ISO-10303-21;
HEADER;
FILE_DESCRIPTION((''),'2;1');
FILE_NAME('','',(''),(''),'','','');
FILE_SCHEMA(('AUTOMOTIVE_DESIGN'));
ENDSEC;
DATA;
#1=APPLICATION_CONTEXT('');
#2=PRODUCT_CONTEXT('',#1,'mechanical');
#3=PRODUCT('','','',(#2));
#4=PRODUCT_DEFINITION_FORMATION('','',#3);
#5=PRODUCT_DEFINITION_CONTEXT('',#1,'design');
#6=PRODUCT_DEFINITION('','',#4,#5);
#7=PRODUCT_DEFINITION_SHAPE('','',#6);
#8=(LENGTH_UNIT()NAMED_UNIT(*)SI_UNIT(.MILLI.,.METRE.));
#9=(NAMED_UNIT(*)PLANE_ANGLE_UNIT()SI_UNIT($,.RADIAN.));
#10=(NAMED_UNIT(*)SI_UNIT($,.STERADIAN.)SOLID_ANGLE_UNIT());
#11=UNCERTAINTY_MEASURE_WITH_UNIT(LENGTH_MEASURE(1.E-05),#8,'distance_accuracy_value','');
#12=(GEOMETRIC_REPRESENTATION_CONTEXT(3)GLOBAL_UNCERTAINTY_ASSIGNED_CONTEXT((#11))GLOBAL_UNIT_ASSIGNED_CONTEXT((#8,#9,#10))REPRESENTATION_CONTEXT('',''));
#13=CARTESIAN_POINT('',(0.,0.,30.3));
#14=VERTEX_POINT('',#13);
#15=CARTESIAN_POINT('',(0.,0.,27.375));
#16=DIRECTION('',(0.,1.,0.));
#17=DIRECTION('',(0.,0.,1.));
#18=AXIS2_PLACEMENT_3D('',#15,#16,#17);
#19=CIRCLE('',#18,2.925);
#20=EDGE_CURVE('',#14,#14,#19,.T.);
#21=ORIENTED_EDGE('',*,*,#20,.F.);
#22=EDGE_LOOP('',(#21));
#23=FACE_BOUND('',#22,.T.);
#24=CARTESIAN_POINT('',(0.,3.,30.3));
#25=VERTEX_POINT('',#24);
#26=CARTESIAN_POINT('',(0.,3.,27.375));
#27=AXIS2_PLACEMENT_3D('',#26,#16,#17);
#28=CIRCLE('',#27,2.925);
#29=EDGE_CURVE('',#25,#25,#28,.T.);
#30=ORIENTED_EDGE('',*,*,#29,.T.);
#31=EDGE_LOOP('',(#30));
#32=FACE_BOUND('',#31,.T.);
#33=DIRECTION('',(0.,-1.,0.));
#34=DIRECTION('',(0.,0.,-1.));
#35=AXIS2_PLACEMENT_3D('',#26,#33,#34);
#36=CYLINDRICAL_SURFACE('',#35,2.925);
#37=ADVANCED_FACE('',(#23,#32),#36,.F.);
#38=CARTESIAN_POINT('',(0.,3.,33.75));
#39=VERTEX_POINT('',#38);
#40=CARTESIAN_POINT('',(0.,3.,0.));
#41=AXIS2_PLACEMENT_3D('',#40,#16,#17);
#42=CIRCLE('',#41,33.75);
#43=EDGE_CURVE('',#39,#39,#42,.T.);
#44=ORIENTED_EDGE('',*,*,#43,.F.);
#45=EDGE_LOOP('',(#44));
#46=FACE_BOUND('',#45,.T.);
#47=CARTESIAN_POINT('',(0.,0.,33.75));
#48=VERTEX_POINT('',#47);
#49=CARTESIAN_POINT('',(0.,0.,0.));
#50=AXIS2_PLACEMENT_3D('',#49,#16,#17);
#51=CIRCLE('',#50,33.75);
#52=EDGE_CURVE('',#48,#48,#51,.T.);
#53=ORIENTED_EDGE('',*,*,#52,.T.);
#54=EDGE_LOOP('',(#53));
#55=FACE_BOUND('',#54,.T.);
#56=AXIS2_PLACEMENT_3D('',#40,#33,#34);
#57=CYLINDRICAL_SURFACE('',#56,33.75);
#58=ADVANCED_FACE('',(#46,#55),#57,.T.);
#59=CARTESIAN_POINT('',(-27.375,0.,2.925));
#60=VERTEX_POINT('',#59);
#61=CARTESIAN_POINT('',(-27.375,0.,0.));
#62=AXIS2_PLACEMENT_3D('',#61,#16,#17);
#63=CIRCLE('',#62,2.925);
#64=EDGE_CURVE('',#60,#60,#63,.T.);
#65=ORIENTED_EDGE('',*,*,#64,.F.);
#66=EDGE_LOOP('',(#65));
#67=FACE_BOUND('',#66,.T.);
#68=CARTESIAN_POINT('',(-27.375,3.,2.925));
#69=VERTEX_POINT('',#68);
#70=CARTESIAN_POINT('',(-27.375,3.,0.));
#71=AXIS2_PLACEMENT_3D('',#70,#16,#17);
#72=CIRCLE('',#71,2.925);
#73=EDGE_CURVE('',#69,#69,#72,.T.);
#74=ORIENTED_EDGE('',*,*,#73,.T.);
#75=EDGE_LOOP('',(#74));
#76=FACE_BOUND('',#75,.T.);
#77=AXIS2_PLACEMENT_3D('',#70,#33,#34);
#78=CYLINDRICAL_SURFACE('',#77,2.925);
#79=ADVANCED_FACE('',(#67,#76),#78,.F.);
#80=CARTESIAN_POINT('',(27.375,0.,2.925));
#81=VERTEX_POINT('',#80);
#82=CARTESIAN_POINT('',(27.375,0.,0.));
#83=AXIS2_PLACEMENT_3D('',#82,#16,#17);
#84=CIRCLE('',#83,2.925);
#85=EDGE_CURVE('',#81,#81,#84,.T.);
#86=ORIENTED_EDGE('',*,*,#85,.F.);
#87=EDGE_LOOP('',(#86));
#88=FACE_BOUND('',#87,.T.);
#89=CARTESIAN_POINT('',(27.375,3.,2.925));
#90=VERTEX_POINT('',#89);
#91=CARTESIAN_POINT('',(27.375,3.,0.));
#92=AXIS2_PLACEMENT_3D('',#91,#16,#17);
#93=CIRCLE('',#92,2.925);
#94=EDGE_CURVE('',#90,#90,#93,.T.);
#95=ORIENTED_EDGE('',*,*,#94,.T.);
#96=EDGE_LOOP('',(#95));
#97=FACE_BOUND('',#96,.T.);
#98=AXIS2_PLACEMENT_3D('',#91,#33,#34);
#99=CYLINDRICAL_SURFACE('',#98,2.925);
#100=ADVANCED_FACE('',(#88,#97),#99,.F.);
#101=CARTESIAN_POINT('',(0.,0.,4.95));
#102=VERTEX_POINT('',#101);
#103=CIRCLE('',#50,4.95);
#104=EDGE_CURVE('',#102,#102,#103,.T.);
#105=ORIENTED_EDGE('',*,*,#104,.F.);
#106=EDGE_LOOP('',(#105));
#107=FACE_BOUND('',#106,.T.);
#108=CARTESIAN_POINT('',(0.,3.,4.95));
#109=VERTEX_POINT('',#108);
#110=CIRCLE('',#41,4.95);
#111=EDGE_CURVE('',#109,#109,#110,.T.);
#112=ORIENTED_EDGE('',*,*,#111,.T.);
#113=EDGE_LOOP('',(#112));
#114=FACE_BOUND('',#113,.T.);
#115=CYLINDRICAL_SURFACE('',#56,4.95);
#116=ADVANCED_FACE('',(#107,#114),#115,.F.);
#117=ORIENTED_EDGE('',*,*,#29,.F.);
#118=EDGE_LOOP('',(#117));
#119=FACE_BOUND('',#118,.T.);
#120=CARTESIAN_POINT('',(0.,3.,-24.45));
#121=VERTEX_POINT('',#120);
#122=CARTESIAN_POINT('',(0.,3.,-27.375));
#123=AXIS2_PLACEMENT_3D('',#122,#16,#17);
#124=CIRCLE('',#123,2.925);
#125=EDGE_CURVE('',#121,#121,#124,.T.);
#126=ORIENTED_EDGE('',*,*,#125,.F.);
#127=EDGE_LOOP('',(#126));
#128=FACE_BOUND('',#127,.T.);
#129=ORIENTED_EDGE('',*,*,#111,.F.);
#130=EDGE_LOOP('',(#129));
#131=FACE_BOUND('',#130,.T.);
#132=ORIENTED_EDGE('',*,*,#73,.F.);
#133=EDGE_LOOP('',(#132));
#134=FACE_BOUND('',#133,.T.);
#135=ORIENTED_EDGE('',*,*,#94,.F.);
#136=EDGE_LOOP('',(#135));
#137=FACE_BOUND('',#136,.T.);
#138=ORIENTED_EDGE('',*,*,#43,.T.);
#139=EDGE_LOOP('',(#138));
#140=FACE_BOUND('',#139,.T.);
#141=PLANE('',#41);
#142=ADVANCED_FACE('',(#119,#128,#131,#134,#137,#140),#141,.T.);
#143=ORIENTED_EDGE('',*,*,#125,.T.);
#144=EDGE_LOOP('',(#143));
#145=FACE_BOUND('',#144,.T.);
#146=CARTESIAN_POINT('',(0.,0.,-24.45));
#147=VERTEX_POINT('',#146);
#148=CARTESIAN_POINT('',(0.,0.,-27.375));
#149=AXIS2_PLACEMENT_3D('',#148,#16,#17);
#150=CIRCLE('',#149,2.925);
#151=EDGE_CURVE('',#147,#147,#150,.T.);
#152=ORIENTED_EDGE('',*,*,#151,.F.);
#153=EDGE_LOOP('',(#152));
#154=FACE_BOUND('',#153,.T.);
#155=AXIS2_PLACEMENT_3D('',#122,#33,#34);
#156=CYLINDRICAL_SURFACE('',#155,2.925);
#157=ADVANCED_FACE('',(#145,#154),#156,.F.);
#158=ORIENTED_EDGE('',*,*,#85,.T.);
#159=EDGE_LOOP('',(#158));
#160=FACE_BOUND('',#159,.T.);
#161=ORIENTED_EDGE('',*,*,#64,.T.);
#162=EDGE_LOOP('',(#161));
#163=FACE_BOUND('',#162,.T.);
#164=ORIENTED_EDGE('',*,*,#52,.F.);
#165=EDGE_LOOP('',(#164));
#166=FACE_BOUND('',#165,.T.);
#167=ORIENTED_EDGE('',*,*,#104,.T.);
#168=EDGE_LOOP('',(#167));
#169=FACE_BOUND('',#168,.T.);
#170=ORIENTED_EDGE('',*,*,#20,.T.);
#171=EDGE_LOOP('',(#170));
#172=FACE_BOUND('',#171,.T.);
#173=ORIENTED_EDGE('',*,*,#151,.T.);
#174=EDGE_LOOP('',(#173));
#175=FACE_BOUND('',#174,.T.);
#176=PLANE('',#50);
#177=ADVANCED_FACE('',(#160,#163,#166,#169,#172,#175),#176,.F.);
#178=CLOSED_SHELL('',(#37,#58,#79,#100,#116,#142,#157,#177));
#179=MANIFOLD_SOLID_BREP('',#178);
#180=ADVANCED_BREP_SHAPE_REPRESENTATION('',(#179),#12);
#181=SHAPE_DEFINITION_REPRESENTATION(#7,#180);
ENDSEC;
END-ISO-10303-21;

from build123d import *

# Parameters (mm, degrees)
SKETCH1_R           = 33.75
SKETCH1_R_2         = 4.95
SKETCH1_R_3         = 2.925
BOSS_EXTRUDE1_DEPTH = 3


with BuildPart() as part:
    # Sketch1 → Boss-Extrude1 (new body)
    with BuildSketch(Plane(origin=(0, 0, 0), x_dir=(1, 0, 0), z_dir=(0, 1, 0))):
        Circle(SKETCH1_R)
        Circle(SKETCH1_R_2, mode=Mode.SUBTRACT)
        with Locations((0, 27.375)):
            Circle(SKETCH1_R_3, mode=Mode.SUBTRACT)
        with Locations((27.375, 0)):
            Circle(SKETCH1_R_3, mode=Mode.SUBTRACT)
        with Locations((0, -27.375)):
            Circle(SKETCH1_R_3, mode=Mode.SUBTRACT)
        with Locations((-27.375, 0)):
            Circle(SKETCH1_R_3, mode=Mode.SUBTRACT)
    extrude(amount=BOSS_EXTRUDE1_DEPTH)


solid = part.part
